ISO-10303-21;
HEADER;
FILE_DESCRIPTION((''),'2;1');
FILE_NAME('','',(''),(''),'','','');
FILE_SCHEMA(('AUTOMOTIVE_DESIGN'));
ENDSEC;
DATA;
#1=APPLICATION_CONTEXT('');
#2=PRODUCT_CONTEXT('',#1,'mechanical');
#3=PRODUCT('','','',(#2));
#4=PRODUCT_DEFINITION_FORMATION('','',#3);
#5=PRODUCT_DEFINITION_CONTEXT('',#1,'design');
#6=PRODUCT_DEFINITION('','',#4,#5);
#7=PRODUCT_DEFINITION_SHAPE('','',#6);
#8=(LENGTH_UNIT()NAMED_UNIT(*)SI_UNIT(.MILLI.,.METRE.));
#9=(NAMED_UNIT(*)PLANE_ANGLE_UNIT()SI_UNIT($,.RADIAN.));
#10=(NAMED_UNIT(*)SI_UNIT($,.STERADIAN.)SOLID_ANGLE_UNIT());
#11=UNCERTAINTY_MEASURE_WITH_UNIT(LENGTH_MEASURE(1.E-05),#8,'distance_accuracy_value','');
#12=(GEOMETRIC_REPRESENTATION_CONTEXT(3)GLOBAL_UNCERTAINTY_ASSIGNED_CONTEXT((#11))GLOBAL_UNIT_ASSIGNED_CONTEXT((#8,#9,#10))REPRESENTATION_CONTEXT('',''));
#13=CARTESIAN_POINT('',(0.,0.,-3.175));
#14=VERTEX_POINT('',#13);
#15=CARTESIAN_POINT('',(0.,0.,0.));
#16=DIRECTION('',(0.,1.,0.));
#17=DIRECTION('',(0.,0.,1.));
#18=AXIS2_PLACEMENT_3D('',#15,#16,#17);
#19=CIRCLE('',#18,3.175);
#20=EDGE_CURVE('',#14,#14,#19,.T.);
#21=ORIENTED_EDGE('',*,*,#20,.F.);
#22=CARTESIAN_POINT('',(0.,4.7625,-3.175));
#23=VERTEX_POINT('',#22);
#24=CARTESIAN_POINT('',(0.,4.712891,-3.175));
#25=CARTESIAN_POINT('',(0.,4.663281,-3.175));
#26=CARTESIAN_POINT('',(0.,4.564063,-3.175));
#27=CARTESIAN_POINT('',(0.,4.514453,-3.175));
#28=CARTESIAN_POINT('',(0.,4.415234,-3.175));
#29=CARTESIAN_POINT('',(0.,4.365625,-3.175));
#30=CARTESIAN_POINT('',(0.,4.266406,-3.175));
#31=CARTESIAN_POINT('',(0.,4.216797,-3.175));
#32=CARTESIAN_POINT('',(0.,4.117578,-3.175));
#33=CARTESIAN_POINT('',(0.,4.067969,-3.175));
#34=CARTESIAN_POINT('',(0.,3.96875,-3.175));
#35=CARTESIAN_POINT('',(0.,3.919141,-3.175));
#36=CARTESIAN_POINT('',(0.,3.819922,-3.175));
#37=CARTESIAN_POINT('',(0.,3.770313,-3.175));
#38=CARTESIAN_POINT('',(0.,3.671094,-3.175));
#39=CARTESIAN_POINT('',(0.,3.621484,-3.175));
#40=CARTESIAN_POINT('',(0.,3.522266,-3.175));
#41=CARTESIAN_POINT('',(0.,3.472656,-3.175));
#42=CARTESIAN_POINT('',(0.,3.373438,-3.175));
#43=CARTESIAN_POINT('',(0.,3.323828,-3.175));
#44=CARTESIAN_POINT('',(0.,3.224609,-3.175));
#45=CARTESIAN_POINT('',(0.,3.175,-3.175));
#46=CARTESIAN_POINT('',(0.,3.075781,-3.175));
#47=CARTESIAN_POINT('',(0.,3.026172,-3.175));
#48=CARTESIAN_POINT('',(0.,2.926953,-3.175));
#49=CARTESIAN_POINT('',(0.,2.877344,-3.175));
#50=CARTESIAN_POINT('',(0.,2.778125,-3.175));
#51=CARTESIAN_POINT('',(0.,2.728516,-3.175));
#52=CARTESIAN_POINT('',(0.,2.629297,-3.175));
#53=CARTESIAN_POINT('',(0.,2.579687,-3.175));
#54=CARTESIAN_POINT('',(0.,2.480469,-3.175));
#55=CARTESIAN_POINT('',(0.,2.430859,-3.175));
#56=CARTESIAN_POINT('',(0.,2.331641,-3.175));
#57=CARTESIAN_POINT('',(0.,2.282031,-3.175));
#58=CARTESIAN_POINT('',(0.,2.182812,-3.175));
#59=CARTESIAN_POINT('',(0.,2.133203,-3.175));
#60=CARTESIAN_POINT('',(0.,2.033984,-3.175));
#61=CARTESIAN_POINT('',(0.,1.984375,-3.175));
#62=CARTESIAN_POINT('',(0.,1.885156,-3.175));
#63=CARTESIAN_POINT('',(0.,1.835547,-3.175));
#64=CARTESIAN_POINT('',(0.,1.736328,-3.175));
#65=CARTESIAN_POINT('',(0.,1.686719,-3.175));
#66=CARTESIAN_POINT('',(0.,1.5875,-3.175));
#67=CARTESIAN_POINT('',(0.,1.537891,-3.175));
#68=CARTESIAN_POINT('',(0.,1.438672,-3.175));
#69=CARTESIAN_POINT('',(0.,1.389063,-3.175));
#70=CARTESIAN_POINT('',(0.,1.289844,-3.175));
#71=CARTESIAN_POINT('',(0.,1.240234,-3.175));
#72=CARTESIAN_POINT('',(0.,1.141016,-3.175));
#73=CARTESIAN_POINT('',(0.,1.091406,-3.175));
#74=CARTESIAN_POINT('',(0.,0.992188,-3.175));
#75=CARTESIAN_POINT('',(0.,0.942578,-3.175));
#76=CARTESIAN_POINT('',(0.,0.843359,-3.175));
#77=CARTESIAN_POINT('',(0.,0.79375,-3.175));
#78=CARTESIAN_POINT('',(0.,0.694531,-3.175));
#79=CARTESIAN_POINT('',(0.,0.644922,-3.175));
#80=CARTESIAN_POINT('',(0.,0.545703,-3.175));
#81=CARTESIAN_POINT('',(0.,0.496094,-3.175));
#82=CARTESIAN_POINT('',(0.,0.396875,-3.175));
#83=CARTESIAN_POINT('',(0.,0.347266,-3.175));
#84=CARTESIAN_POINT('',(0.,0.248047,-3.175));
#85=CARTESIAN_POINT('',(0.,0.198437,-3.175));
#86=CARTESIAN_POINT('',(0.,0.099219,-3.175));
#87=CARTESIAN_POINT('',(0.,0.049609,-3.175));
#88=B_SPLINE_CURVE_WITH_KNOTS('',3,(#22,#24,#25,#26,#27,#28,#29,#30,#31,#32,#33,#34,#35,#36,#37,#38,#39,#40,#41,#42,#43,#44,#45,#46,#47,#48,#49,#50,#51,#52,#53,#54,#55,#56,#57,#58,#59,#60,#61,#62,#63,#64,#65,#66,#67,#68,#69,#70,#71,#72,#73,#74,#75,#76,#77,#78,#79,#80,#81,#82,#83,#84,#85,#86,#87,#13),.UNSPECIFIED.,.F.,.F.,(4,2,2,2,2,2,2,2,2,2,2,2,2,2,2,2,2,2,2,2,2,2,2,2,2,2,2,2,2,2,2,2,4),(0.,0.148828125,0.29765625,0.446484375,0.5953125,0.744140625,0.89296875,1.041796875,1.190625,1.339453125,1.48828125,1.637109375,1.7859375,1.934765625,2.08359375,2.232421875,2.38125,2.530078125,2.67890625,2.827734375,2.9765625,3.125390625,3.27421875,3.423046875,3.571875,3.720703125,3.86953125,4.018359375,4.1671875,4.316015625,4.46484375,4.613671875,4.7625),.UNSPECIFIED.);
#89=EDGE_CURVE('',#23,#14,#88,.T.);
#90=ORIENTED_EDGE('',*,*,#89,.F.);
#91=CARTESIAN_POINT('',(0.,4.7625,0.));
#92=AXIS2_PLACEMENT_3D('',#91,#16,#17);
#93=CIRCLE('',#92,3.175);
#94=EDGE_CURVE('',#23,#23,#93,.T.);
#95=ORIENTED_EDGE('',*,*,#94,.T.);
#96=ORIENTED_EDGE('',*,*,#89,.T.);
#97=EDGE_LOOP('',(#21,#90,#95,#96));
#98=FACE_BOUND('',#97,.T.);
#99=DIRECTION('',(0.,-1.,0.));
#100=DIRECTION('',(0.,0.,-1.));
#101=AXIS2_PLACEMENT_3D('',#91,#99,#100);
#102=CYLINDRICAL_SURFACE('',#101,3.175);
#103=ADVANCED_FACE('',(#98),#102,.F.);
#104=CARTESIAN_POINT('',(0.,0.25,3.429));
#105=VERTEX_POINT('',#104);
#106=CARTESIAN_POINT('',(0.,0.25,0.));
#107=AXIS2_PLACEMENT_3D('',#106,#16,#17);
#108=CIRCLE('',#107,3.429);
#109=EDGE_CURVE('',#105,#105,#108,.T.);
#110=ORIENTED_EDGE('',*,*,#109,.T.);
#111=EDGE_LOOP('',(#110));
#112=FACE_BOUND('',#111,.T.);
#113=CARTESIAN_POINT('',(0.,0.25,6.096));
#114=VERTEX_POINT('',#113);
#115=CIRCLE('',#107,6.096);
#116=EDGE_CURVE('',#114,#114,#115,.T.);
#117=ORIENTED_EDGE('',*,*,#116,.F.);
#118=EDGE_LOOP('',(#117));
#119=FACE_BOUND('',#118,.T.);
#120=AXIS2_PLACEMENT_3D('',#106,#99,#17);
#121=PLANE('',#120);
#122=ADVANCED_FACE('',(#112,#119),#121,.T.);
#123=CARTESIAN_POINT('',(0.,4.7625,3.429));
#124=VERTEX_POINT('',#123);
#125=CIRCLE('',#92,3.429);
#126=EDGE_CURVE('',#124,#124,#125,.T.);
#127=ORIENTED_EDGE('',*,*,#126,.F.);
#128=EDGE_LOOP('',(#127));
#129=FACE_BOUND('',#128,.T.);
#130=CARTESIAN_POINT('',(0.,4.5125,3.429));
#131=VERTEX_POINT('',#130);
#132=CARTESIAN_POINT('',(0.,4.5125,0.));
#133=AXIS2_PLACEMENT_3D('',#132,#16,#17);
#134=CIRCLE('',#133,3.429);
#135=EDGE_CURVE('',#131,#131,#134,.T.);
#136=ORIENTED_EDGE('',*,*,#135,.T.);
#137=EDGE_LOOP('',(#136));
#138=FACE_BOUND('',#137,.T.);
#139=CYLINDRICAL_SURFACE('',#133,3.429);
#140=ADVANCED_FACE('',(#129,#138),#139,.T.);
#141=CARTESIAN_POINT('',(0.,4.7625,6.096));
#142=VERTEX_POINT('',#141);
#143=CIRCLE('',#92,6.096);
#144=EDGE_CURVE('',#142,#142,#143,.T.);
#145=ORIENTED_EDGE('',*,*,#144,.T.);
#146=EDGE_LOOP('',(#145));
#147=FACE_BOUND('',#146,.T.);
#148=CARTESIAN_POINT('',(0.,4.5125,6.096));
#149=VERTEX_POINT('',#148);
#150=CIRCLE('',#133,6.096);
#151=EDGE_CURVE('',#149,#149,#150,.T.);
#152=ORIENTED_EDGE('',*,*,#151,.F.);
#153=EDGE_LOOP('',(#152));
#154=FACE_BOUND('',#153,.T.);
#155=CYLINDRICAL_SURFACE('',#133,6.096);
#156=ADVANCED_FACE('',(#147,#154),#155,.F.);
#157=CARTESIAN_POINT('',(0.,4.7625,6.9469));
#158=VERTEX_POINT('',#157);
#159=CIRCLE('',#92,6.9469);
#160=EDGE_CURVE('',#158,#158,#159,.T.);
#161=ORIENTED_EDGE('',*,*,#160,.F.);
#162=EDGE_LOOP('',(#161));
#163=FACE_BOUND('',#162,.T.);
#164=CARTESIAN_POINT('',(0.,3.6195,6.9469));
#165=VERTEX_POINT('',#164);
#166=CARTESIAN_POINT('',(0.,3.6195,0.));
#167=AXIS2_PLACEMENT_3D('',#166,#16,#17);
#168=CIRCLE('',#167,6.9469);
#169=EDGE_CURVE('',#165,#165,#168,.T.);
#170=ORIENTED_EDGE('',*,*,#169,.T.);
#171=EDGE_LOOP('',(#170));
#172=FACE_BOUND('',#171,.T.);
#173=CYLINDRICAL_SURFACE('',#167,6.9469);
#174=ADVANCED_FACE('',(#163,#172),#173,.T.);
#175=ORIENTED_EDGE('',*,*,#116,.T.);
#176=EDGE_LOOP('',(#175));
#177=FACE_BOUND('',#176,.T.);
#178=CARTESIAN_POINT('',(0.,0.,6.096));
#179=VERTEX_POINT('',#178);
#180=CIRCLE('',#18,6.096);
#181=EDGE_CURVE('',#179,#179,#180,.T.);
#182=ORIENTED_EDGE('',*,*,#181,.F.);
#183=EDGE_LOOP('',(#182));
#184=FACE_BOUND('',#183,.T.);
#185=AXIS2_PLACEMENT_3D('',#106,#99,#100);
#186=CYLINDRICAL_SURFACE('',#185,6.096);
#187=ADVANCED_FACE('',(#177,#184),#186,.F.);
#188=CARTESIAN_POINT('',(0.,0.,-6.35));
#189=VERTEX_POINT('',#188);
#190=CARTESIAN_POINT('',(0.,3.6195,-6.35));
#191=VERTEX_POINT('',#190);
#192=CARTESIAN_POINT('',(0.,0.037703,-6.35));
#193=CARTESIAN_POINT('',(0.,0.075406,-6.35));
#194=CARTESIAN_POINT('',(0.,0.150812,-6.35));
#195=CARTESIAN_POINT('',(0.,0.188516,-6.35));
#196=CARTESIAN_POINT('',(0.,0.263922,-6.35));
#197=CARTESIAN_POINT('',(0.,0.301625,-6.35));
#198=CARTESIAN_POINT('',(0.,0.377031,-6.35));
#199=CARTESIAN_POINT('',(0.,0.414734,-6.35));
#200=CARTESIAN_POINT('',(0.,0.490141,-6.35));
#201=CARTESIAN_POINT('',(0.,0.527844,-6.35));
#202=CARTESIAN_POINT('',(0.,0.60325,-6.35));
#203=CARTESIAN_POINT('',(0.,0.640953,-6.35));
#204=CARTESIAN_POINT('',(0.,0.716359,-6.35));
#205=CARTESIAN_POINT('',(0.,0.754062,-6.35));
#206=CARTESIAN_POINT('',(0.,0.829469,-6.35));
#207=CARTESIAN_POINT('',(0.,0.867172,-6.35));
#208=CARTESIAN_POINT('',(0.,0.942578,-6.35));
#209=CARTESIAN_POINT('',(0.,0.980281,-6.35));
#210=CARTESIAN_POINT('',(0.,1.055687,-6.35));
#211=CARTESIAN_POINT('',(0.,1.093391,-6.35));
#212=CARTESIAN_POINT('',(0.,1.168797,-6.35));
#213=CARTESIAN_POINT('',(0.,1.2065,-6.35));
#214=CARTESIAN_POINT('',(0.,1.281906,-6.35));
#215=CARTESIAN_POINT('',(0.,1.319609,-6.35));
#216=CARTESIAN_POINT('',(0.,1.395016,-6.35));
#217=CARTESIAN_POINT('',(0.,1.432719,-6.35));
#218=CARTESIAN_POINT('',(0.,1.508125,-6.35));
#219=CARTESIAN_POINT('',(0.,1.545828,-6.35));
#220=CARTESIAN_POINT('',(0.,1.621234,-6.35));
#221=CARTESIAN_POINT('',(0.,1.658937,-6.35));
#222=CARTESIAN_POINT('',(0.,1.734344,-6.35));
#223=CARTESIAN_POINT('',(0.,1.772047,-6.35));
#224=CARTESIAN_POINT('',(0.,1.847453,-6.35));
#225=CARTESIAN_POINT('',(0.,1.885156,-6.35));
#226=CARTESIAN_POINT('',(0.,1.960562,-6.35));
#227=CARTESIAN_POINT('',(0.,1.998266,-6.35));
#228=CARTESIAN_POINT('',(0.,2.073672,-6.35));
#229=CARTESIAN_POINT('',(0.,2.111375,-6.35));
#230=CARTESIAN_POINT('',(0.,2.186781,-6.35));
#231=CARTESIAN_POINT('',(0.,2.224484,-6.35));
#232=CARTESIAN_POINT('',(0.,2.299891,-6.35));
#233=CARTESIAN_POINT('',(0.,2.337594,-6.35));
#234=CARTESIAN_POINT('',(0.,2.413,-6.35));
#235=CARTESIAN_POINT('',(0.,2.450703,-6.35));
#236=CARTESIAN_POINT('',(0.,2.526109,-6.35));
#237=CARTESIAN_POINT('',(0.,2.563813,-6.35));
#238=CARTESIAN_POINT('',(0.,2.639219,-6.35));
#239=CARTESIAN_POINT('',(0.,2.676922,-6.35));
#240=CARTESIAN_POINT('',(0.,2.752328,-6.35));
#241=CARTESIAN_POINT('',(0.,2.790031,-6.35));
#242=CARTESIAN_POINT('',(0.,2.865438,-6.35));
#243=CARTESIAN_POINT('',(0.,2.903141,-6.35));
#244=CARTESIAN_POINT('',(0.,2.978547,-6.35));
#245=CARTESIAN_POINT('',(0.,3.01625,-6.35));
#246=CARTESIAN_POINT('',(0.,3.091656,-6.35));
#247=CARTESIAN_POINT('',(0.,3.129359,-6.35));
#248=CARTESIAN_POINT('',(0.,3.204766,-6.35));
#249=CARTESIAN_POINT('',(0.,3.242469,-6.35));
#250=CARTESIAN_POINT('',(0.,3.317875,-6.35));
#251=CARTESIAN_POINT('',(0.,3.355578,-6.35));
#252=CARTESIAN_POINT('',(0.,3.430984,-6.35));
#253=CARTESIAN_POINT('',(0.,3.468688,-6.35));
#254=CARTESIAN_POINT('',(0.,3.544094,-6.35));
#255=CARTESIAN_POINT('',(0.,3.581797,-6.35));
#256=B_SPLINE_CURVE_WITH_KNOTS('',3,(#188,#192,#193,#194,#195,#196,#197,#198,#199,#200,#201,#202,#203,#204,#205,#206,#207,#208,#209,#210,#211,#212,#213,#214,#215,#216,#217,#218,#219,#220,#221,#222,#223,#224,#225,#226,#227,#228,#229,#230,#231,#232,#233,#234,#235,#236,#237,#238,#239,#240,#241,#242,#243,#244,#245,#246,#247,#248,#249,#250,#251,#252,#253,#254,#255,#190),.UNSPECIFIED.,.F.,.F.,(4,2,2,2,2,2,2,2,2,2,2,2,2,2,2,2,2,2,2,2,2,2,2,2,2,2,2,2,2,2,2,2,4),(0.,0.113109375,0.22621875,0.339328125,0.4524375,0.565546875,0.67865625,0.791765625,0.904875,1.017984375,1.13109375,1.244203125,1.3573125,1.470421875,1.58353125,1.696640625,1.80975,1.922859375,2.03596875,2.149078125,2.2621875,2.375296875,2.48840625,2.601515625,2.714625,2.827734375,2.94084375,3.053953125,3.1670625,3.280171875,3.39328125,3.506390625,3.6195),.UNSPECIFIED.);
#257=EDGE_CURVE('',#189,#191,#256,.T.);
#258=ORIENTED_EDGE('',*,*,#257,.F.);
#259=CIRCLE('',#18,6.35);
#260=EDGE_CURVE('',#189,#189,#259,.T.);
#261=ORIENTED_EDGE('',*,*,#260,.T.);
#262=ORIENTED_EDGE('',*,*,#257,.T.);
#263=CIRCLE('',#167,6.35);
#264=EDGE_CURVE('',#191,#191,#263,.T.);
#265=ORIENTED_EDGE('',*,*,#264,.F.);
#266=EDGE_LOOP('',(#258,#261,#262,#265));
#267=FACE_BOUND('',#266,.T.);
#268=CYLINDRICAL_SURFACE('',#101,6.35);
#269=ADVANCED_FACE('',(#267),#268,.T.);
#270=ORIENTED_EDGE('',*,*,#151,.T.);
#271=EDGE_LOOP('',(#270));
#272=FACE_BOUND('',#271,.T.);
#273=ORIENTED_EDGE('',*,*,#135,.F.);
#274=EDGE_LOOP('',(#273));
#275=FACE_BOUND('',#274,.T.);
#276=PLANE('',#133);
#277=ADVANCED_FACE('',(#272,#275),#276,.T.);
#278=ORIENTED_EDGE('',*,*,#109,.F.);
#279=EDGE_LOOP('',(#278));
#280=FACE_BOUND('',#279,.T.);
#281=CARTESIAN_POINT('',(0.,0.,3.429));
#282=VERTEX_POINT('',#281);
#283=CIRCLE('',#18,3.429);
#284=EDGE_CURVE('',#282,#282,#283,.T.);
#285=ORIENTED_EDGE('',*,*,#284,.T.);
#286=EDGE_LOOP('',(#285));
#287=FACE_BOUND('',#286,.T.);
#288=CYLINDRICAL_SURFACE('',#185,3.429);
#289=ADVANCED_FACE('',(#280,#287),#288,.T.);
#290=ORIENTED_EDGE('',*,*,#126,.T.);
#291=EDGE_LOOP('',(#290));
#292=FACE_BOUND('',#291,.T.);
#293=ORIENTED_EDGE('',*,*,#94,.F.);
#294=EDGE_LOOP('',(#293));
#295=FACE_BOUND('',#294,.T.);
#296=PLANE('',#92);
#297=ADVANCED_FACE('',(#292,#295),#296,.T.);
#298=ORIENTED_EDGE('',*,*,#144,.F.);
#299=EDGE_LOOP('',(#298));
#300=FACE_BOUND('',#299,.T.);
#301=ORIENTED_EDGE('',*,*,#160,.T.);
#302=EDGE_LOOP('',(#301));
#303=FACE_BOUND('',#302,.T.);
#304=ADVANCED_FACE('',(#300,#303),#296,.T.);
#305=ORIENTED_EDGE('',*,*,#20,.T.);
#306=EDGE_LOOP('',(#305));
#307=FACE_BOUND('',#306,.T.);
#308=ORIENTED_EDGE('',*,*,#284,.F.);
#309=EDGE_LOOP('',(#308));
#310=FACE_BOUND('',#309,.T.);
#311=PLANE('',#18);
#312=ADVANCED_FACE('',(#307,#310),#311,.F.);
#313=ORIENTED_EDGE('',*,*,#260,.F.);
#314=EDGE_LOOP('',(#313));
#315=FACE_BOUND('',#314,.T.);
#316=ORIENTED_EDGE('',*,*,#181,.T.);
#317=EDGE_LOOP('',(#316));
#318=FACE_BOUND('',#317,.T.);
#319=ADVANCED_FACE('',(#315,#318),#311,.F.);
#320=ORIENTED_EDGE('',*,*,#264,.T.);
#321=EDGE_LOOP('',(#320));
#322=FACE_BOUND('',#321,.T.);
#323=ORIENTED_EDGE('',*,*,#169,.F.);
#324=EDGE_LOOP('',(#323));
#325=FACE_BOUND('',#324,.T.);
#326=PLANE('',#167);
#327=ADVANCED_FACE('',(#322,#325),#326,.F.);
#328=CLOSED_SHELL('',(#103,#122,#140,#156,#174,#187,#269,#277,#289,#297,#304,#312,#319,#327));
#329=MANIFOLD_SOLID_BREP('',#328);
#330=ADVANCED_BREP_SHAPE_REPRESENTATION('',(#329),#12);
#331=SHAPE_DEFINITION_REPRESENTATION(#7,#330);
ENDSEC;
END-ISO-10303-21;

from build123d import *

# Parameters (mm, degrees)
SKETCH1_R           = 6.35
SKETCH1_R_2         = 3.175
BOSS_EXTRUDE1_DEPTH = 4.7625
SKETCH2_R           = 6.096
SKETCH2_R_2         = 3.429
CUT_EXTRUDE1_DEPTH  = 0.25
BOSS_EXTRUDE2_START = -1.143
SKETCH3_R           = 6.9469
SKETCH3_R_2         = 6.35
BOSS_EXTRUDE2_DEPTH = 1.143


with BuildPart() as part:
    # Sketch1 → Boss-Extrude1 (new body)
    with BuildSketch(Plane(origin=(0, 0, 0), x_dir=(1, 0, 0), z_dir=(0, 1, 0))):
        with Locations(Location((0, 0, 0), (0, 0, 90))):
            Circle(SKETCH1_R)
        with Locations(Location((0, 0, 0), (0, 0, 90))):
            Circle(SKETCH1_R_2, mode=Mode.SUBTRACT)
    extrude(amount=BOSS_EXTRUDE1_DEPTH)

    # Sketch2 → Cut-Extrude1 (cut)
    with BuildSketch(Plane(origin=(0, 4.7625, 0), x_dir=(1, 0, 0), z_dir=(0, 1, 0))):
        with Locations(Location((0, 0, 0), (0, 0, 270))):
            Circle(SKETCH2_R)
        with Locations(Location((0, 0, 0), (0, 0, 270))):
            Circle(SKETCH2_R_2, mode=Mode.SUBTRACT)
    cut_extrude1 = extrude(amount=-CUT_EXTRUDE1_DEPTH, mode=Mode.SUBTRACT)

    # Mirror1: Cut-Extrude1 across plane
    add(cut_extrude1.mirror(Plane.ZX.offset(2.38125)), mode=Mode.SUBTRACT)

    # Sketch3 → Boss-Extrude2 (add)
    with BuildSketch(Plane(origin=(0, 4.7625, 0), x_dir=(1, 0, 0), z_dir=(0, 1, 0)).offset(BOSS_EXTRUDE2_START)):
        with Locations(Location((0, 0, 0), (0, 0, 270))):
            Circle(SKETCH3_R)
        with Locations(Location((0, 0, 0), (0, 0, 90))):
            Circle(SKETCH3_R_2, mode=Mode.SUBTRACT)
    extrude(amount=BOSS_EXTRUDE2_DEPTH)


solid = part.part
